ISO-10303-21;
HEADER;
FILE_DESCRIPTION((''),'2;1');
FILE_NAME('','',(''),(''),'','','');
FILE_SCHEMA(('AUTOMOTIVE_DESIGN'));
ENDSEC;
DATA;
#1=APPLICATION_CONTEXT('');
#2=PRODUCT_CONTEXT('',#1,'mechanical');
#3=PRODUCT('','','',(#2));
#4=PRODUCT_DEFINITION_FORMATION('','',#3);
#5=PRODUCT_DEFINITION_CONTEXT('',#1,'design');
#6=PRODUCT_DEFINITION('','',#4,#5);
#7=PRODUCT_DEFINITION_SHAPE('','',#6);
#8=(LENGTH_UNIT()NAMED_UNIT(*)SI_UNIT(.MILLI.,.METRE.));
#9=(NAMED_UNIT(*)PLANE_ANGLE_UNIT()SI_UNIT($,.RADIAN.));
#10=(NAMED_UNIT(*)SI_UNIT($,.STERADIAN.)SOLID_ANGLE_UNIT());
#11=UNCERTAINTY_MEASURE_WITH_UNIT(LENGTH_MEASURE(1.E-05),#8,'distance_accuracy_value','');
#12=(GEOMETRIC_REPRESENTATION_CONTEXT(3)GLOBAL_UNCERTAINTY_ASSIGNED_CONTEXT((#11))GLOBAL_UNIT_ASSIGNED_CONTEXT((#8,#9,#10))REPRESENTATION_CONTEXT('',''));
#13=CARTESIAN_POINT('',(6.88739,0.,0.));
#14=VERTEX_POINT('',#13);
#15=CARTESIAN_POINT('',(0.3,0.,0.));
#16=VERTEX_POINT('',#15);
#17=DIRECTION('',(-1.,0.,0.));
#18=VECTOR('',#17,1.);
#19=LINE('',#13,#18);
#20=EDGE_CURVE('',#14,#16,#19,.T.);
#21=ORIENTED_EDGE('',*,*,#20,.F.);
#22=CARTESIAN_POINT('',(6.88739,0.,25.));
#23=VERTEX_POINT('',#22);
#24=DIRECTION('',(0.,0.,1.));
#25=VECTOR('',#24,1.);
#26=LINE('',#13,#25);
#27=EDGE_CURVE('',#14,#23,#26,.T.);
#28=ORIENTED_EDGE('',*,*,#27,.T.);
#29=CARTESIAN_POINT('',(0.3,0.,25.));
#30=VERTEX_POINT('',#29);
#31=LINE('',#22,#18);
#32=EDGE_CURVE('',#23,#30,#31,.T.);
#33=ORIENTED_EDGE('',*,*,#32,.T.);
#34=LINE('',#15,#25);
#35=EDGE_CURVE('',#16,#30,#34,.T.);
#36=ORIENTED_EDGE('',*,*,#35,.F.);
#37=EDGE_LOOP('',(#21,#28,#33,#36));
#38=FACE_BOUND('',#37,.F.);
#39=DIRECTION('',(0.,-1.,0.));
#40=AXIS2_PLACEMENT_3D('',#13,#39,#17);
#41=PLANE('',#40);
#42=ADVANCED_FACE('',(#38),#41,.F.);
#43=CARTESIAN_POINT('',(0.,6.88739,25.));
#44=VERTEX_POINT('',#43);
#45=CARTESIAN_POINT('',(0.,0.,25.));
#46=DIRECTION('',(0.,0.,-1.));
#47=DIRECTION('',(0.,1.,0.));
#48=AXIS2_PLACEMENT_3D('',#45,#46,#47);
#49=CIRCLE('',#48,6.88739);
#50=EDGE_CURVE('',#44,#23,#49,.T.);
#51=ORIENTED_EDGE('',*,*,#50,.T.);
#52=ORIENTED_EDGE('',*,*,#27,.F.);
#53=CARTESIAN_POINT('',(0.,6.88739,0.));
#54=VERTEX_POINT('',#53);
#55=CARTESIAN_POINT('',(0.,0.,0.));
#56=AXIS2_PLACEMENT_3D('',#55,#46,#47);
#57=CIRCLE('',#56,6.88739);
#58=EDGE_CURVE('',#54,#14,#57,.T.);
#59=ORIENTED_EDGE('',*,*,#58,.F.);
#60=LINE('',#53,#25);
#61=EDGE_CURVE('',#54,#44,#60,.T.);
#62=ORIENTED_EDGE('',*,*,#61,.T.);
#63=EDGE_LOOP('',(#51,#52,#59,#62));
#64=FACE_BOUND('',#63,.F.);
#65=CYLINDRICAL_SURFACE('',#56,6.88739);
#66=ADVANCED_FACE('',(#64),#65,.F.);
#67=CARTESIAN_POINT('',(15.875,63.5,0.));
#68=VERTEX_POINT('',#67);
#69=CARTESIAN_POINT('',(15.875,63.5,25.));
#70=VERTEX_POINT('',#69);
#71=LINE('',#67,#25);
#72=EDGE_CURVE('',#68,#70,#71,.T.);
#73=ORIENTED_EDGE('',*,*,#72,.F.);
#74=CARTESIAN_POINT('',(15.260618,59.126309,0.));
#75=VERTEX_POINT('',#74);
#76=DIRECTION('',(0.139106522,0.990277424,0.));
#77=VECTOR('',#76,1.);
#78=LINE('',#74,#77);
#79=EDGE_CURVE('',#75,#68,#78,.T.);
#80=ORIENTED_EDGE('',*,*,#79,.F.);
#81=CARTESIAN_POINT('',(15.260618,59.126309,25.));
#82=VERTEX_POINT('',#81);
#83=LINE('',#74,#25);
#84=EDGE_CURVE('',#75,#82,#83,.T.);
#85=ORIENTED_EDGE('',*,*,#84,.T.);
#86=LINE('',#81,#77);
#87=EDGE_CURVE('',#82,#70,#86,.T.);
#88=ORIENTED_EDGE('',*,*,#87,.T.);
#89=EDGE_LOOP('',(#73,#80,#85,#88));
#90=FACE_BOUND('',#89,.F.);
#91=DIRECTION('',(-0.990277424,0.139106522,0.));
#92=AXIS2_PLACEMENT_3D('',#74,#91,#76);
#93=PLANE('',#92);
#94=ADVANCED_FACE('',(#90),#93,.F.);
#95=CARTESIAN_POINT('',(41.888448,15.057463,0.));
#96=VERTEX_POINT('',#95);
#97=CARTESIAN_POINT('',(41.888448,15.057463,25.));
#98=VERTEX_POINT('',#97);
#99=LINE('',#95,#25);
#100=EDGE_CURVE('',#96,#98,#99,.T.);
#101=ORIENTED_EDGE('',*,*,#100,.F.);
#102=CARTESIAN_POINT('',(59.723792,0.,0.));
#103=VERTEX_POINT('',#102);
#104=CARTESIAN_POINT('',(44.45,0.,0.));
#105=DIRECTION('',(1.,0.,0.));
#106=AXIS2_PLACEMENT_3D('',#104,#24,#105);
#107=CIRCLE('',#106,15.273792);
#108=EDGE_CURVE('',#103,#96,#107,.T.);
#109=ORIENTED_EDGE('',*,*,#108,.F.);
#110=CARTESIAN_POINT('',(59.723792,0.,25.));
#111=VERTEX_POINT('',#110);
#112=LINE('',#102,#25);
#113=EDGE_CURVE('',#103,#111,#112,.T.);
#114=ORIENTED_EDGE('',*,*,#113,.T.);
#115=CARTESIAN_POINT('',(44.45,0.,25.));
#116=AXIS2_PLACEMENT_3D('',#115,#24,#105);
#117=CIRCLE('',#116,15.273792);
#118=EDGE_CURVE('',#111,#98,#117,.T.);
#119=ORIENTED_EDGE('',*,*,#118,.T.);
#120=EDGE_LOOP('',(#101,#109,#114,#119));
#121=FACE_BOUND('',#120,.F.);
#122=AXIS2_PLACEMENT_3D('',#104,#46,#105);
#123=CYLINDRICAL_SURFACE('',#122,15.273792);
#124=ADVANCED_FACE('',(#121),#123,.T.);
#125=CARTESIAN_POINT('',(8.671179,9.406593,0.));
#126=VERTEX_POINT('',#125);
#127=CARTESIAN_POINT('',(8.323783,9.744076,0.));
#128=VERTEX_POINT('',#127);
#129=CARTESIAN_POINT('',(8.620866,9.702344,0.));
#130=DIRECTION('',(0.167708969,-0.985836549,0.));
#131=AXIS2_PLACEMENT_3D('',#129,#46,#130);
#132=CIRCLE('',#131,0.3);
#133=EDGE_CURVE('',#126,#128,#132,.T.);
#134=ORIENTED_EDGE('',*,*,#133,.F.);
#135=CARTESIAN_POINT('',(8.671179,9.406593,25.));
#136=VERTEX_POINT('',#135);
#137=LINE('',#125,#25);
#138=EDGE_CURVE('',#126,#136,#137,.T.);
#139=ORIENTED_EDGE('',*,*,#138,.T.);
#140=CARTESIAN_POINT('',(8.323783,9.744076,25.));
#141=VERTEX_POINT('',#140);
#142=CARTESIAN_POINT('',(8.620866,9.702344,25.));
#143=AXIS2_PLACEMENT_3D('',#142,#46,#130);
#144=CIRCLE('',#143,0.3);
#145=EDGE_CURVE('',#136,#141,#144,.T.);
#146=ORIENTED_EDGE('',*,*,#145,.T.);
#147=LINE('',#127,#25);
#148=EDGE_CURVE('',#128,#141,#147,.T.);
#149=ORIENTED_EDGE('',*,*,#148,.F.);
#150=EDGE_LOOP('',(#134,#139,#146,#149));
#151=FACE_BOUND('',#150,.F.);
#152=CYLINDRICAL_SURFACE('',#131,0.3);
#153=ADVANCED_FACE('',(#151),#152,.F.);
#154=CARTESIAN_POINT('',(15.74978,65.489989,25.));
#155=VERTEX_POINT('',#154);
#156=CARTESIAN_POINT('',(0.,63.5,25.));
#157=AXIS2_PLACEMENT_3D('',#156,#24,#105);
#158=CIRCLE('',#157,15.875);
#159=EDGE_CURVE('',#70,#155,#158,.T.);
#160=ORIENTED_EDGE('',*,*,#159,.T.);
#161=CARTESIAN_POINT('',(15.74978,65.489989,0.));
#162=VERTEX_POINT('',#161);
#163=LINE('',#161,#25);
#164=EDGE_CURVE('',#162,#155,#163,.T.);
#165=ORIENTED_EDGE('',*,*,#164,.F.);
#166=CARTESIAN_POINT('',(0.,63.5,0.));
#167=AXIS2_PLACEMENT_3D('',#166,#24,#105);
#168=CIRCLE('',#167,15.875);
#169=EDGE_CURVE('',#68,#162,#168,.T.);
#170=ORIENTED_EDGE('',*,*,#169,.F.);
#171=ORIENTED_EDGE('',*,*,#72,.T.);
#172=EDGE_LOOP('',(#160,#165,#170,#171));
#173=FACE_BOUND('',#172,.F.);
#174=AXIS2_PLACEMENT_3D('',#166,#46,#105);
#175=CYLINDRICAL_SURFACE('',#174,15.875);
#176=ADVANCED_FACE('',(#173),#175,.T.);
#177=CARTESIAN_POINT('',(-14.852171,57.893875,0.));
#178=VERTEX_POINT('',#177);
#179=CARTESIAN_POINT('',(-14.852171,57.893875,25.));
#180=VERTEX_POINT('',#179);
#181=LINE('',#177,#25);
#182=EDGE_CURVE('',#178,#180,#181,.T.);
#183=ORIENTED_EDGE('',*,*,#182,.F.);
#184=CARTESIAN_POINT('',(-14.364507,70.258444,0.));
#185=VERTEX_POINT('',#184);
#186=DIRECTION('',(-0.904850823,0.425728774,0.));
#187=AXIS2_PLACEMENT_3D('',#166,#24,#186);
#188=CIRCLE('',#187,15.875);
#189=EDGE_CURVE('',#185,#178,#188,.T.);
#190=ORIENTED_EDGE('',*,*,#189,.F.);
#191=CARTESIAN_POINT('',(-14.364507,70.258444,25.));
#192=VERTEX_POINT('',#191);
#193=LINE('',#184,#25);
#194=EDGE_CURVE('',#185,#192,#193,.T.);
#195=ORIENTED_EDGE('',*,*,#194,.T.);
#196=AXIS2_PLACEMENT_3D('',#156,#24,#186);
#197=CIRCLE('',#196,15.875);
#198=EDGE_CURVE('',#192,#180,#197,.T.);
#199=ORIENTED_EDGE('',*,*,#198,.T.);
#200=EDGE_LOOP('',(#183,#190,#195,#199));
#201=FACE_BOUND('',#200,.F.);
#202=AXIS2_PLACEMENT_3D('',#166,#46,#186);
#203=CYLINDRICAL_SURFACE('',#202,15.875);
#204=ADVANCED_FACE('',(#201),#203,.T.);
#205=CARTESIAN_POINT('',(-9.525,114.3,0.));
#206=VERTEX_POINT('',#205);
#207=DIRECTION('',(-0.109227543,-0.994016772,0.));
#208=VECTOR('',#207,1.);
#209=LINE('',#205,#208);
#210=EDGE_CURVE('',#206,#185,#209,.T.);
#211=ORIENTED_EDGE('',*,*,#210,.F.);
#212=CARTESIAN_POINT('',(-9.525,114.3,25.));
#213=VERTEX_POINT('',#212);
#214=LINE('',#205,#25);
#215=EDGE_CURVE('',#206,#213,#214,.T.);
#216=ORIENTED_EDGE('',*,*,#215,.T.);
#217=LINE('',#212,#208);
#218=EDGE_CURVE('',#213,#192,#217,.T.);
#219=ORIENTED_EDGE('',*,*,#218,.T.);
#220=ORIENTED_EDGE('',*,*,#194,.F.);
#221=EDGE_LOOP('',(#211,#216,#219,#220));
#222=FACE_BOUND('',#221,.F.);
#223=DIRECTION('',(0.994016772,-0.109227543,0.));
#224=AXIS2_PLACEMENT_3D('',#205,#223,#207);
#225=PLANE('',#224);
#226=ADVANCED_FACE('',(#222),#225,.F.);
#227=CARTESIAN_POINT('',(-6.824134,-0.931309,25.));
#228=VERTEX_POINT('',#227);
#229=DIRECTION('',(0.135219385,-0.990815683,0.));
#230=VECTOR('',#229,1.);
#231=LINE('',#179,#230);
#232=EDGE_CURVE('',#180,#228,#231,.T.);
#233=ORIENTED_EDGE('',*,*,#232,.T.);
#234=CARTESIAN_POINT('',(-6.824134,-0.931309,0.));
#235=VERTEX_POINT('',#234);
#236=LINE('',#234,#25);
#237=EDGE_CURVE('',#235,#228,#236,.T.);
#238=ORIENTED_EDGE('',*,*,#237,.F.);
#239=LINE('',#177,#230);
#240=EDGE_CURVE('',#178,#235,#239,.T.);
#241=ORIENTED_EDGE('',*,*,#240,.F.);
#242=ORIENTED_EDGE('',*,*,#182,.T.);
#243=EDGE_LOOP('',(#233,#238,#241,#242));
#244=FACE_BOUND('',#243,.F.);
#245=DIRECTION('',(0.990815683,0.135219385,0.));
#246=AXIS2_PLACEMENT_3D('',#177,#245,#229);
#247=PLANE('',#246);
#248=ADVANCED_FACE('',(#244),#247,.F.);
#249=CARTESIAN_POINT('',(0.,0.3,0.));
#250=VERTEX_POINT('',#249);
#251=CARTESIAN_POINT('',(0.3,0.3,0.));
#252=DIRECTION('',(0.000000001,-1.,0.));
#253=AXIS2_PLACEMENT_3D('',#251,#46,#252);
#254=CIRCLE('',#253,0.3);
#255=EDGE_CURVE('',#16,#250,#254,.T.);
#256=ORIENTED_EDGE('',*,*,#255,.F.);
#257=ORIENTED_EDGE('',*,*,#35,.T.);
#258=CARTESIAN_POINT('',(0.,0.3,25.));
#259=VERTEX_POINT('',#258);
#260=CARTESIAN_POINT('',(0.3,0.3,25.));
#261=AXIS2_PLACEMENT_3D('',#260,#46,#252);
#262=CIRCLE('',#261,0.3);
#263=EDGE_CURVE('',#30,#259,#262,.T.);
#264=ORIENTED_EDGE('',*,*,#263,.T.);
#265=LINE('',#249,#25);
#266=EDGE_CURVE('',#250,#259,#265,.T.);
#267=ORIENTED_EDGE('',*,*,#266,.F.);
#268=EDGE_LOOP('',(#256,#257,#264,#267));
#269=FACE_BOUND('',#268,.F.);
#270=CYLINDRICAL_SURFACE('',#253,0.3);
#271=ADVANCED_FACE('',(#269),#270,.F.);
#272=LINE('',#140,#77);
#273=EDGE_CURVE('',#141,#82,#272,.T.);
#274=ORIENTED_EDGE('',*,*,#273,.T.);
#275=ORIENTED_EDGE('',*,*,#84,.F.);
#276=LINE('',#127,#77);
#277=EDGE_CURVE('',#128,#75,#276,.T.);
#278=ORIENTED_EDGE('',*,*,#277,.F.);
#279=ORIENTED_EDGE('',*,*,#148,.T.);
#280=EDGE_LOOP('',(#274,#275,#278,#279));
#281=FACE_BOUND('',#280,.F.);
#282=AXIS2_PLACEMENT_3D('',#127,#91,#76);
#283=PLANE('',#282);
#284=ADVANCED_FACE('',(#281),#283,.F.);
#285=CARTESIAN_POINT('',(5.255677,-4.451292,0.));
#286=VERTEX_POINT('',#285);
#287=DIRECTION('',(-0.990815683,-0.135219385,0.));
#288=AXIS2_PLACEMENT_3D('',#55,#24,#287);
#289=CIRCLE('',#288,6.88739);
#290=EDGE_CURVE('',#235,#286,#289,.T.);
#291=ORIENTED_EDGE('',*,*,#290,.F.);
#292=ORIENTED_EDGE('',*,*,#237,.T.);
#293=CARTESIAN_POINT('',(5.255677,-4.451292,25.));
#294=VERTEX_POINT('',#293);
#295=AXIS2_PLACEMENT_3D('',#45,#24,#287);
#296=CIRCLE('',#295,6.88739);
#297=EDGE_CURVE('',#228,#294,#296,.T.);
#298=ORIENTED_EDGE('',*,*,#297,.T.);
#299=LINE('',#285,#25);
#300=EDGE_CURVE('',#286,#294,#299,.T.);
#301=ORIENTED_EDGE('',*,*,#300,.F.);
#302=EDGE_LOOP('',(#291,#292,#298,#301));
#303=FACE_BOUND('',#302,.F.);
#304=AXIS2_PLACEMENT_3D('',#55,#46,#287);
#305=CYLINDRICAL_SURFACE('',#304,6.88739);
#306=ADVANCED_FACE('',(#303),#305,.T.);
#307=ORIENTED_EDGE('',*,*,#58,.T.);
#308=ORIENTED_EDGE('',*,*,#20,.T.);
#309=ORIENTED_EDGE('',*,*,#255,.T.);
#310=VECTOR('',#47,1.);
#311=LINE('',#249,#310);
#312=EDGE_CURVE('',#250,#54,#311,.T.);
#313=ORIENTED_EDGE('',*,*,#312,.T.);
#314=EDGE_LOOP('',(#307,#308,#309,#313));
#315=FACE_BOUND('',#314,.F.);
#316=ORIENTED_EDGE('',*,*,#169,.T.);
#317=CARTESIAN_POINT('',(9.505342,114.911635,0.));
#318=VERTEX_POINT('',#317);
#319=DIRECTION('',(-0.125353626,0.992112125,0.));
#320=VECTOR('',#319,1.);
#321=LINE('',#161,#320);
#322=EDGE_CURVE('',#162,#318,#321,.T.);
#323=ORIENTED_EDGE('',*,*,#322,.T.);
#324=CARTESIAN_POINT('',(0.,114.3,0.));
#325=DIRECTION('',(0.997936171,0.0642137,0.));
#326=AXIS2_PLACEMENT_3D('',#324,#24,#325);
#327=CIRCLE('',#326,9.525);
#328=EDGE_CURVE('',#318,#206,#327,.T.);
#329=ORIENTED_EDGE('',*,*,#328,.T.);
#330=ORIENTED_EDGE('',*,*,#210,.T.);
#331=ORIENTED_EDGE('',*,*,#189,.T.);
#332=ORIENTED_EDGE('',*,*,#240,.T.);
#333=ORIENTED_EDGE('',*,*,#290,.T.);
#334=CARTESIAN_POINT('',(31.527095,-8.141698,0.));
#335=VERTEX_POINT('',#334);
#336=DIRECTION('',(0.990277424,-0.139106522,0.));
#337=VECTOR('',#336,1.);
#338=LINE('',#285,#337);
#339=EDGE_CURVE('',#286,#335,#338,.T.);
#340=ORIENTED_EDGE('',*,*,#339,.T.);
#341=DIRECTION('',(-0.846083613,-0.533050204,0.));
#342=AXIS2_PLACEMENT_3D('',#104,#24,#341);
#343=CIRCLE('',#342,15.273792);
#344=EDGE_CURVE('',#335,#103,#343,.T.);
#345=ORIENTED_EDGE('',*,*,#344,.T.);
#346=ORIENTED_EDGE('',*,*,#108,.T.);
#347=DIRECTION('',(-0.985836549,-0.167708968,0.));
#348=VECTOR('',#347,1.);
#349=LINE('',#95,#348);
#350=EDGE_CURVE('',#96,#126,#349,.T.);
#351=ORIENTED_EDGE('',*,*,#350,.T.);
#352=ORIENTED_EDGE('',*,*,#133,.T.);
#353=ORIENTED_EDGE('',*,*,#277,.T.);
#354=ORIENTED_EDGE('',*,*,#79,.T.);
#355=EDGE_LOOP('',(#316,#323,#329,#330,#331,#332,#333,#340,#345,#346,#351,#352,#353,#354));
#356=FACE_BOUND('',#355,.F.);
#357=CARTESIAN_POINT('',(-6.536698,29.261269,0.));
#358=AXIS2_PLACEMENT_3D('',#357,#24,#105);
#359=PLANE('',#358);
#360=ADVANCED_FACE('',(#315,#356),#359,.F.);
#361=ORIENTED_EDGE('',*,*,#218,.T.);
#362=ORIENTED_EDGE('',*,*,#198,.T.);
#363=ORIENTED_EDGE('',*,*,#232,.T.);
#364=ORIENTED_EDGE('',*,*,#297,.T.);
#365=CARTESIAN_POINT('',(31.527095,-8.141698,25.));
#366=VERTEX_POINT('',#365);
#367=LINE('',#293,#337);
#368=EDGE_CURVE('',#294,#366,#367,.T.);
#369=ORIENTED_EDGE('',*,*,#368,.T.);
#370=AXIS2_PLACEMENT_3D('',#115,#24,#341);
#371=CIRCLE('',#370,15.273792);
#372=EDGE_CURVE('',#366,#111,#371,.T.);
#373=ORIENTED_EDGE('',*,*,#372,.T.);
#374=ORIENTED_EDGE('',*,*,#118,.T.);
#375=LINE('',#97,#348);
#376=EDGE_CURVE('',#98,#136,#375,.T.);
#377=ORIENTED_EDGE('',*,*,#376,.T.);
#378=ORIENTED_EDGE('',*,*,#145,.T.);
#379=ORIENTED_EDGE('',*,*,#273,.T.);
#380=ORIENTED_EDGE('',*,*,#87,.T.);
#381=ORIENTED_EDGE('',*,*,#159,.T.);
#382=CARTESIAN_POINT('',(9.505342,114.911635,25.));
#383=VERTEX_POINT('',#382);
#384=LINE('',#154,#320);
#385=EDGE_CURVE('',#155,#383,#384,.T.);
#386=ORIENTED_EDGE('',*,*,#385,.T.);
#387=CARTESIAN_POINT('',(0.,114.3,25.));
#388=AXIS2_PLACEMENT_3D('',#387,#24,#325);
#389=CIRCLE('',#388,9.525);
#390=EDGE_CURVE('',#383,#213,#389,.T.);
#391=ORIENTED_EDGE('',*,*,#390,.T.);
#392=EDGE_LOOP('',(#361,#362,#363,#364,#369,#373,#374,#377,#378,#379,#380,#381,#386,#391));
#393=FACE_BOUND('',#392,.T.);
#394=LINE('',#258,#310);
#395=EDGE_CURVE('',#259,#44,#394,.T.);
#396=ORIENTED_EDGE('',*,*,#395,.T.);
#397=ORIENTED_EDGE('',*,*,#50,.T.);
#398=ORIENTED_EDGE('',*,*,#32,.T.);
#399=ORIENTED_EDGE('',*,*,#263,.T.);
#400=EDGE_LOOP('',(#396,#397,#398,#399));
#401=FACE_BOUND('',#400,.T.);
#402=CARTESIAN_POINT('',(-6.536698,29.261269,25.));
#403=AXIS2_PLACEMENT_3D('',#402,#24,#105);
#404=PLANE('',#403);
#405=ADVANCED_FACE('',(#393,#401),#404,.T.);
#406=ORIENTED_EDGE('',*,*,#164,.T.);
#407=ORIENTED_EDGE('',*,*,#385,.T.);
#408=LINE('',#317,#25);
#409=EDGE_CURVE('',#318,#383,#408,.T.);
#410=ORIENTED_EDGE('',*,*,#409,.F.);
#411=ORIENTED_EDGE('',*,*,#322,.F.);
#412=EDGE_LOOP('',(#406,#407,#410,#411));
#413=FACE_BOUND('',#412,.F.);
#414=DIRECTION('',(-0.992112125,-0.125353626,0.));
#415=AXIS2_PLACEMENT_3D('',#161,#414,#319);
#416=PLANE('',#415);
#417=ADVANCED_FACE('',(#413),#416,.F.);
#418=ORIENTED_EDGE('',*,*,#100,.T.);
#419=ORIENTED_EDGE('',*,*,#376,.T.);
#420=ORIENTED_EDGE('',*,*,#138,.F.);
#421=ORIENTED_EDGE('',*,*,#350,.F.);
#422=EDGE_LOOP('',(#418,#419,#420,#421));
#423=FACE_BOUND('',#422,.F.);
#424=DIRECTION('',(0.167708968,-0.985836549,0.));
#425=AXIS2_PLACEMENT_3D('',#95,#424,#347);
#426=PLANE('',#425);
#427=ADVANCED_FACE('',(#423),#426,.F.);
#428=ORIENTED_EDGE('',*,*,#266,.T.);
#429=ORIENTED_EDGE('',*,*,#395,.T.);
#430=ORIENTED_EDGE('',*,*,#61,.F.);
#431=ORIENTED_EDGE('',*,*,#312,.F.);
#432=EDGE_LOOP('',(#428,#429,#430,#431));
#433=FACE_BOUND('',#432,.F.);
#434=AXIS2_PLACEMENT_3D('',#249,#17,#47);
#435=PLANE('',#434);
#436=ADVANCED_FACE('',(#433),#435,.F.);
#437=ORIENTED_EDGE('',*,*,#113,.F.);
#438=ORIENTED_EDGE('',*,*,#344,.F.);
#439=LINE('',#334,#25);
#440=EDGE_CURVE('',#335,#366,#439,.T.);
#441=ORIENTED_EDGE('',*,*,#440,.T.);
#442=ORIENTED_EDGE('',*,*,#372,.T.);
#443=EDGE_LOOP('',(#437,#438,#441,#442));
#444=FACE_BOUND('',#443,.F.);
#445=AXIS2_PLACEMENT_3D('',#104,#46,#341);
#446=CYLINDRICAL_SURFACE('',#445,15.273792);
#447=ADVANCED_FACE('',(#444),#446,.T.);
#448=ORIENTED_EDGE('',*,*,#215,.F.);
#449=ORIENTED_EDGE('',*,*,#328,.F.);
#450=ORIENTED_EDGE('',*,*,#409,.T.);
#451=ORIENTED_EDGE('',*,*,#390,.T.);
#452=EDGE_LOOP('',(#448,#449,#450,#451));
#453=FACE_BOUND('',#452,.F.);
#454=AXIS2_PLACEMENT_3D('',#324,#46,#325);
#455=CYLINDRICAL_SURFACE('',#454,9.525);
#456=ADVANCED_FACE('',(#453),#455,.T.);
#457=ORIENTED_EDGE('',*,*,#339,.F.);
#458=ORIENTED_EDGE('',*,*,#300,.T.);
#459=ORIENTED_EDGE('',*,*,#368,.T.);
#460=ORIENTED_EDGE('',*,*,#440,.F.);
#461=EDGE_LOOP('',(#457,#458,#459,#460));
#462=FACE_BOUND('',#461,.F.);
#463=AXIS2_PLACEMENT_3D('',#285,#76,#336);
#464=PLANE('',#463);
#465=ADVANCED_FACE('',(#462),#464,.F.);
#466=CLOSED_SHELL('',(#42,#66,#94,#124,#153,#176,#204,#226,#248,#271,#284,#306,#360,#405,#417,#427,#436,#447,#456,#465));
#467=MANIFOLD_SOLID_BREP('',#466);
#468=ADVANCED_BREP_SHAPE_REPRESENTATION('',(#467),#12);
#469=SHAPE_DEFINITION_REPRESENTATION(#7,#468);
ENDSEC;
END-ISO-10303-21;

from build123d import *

# Parameters (mm, degrees)
F1_DEPTH = 25


with BuildPart() as f1:
    # F0 (on Top) → F1 (new body)
    with BuildSketch(Plane.XY):
        with BuildLine():
            ThreePointArc((-6.8241339852, -0.9313086309), (-5.1889510561, 4.5288991324), (0, 6.8873899565))
            Line((0, 6.8873899565), (0, 47.625))
            ThreePointArc((0, 47.625), (-9.0282443276, 50.4421889521), (-14.8521711525, 57.893875041))
            Line((-14.8521711525, 57.893875041), (-6.8241339852, -0.9313086309))
        make_face()
        with BuildLine():
            Line((0, 47.625), (0, 6.8873899565))
            ThreePointArc((0, 6.8873899565), (4.8701201429, 4.8701201429), (6.8873899565, 0))
            Line((6.8873899565, 0), (29.176207739, 0))
            ThreePointArc((29.176207739, 0), (32.7792386223, 9.8530228304), (41.8884480573, 15.0574626573))
            Line((41.8884480573, 15.0574626573), (8.6711789906, 9.4065929161))
            ThreePointArc((8.6711789906, 9.4065929161), (8.411826579, 9.4871639677), (8.3237830731, 9.7440758375))
            Line((8.3237830731, 9.7440758375), (15.260617674, 59.126308972))
            ThreePointArc((15.260617674, 59.126308972), (9.5546658741, 50.8223036385), (0, 47.625))
        make_face()
        with BuildLine():
            Line((59.723792261, 0), (29.176207739, 0))
            ThreePointArc((29.176207739, 0), (29.7756941961, -4.2371546117), (31.5270946566, -8.1416980732))
            ThreePointArc((31.5270946566, -8.1416980732), (48.6871546117, -14.6743058039), (59.723792261, 0))
        make_face()
        with BuildLine():
            Line((29.176207739, 0), (6.8873899565, 0))
            ThreePointArc((6.8873899565, 0), (6.4666078996, -2.3704688747), (5.2556767179, -4.451292245))
            Line((5.2556767179, -4.451292245), (31.5270946566, -8.1416980732))
            ThreePointArc((31.5270946566, -8.1416980732), (29.7756941961, -4.2371546117), (29.176207739, 0))
        make_face()
        with BuildLine():
            ThreePointArc((0.3, 0), (0.0878679656, 0.0878679656), (0, 0.3))
            Line((0, 0.3), (0, 6.8873899565))
            ThreePointArc((0, 6.8873899565), (-5.1889510561, 4.5288991324), (-6.8241339852, -0.9313086309))
            ThreePointArc((-6.8241339852, -0.9313086309), (-1.9268071285, -6.6123788989), (5.2556767179, -4.451292245))
            ThreePointArc((5.2556767179, -4.451292245), (6.4666078996, -2.3704688747), (6.8873899565, 0))
            Line((6.8873899565, 0), (0.3, 0))
        make_face()
        with BuildLine():
            ThreePointArc((-14.3645068096, 70.2584442824), (-8.5066245367, 76.9034683568), (0, 79.375))
            Line((0, 79.375), (0, 104.775))
            ThreePointArc((0, 104.775), (-6.7351920908, 107.5648079092), (-9.525, 114.3))
            Line((-9.525, 114.3), (-14.3645068096, 70.2584442824))
        make_face()
        with BuildLine():
            ThreePointArc((-9.525, 114.3), (-6.7351920908, 107.5648079092), (0, 104.775))
            ThreePointArc((0, 104.775), (6.7351920908, 107.5648079092), (9.525, 114.3))
            ThreePointArc((9.525, 114.3), (9.5200842379, 114.6059756587), (9.5053420255, 114.9116354952))
            ThreePointArc((9.5053420255, 114.9116354952), (-0.3059756587, 123.8200842379), (-9.525, 114.3))
        make_face()
        with BuildLine():
            ThreePointArc((41.8884480573, 15.0574626573), (32.7792386223, 9.8530228304), (29.176207739, 0))
            Line((29.176207739, 0), (59.723792261, 0))
            ThreePointArc((59.723792261, 0), (54.3030228304, 11.6707613777), (41.8884480573, 15.0574626573))
        make_face()
        with BuildLine():
            Line((0, 104.775), (0, 79.375))
            ThreePointArc((0, 79.375), (10.49820348, 75.4081211236), (15.7497799835, 65.4899888118))
            Line((15.7497799835, 65.4899888118), (9.5053420255, 114.9116354952))
            ThreePointArc((9.5053420255, 114.9116354952), (9.5200842379, 114.6059756587), (9.525, 114.3))
            ThreePointArc((9.525, 114.3), (6.7351920908, 107.5648079092), (0, 104.775))
        make_face()
        with BuildLine():
            Line((0, 79.375), (0, 47.625))
            ThreePointArc((0, 47.625), (9.5546658741, 50.8223036385), (15.260617674, 59.126308972))
            Line((15.260617674, 59.126308972), (15.875, 63.5))
            ThreePointArc((15.875, 63.5), (15.8436640686, 64.4969623267), (15.7497799835, 65.4899888118))
            ThreePointArc((15.7497799835, 65.4899888118), (10.49820348, 75.4081211236), (0, 79.375))
        make_face()
        with BuildLine():
            ThreePointArc((-14.8521711525, 57.893875041), (-9.0282443276, 50.4421889521), (0, 47.625))
            Line((0, 47.625), (0, 79.375))
            ThreePointArc((0, 79.375), (-8.5066245367, 76.9034683568), (-14.3645068096, 70.2584442824))
            ThreePointArc((-14.3645068096, 70.2584442824), (-15.8626672069, 64.1256309484), (-14.8521711525, 57.893875041))
        make_face()
    extrude(amount=F1_DEPTH)


solid = f1.part
